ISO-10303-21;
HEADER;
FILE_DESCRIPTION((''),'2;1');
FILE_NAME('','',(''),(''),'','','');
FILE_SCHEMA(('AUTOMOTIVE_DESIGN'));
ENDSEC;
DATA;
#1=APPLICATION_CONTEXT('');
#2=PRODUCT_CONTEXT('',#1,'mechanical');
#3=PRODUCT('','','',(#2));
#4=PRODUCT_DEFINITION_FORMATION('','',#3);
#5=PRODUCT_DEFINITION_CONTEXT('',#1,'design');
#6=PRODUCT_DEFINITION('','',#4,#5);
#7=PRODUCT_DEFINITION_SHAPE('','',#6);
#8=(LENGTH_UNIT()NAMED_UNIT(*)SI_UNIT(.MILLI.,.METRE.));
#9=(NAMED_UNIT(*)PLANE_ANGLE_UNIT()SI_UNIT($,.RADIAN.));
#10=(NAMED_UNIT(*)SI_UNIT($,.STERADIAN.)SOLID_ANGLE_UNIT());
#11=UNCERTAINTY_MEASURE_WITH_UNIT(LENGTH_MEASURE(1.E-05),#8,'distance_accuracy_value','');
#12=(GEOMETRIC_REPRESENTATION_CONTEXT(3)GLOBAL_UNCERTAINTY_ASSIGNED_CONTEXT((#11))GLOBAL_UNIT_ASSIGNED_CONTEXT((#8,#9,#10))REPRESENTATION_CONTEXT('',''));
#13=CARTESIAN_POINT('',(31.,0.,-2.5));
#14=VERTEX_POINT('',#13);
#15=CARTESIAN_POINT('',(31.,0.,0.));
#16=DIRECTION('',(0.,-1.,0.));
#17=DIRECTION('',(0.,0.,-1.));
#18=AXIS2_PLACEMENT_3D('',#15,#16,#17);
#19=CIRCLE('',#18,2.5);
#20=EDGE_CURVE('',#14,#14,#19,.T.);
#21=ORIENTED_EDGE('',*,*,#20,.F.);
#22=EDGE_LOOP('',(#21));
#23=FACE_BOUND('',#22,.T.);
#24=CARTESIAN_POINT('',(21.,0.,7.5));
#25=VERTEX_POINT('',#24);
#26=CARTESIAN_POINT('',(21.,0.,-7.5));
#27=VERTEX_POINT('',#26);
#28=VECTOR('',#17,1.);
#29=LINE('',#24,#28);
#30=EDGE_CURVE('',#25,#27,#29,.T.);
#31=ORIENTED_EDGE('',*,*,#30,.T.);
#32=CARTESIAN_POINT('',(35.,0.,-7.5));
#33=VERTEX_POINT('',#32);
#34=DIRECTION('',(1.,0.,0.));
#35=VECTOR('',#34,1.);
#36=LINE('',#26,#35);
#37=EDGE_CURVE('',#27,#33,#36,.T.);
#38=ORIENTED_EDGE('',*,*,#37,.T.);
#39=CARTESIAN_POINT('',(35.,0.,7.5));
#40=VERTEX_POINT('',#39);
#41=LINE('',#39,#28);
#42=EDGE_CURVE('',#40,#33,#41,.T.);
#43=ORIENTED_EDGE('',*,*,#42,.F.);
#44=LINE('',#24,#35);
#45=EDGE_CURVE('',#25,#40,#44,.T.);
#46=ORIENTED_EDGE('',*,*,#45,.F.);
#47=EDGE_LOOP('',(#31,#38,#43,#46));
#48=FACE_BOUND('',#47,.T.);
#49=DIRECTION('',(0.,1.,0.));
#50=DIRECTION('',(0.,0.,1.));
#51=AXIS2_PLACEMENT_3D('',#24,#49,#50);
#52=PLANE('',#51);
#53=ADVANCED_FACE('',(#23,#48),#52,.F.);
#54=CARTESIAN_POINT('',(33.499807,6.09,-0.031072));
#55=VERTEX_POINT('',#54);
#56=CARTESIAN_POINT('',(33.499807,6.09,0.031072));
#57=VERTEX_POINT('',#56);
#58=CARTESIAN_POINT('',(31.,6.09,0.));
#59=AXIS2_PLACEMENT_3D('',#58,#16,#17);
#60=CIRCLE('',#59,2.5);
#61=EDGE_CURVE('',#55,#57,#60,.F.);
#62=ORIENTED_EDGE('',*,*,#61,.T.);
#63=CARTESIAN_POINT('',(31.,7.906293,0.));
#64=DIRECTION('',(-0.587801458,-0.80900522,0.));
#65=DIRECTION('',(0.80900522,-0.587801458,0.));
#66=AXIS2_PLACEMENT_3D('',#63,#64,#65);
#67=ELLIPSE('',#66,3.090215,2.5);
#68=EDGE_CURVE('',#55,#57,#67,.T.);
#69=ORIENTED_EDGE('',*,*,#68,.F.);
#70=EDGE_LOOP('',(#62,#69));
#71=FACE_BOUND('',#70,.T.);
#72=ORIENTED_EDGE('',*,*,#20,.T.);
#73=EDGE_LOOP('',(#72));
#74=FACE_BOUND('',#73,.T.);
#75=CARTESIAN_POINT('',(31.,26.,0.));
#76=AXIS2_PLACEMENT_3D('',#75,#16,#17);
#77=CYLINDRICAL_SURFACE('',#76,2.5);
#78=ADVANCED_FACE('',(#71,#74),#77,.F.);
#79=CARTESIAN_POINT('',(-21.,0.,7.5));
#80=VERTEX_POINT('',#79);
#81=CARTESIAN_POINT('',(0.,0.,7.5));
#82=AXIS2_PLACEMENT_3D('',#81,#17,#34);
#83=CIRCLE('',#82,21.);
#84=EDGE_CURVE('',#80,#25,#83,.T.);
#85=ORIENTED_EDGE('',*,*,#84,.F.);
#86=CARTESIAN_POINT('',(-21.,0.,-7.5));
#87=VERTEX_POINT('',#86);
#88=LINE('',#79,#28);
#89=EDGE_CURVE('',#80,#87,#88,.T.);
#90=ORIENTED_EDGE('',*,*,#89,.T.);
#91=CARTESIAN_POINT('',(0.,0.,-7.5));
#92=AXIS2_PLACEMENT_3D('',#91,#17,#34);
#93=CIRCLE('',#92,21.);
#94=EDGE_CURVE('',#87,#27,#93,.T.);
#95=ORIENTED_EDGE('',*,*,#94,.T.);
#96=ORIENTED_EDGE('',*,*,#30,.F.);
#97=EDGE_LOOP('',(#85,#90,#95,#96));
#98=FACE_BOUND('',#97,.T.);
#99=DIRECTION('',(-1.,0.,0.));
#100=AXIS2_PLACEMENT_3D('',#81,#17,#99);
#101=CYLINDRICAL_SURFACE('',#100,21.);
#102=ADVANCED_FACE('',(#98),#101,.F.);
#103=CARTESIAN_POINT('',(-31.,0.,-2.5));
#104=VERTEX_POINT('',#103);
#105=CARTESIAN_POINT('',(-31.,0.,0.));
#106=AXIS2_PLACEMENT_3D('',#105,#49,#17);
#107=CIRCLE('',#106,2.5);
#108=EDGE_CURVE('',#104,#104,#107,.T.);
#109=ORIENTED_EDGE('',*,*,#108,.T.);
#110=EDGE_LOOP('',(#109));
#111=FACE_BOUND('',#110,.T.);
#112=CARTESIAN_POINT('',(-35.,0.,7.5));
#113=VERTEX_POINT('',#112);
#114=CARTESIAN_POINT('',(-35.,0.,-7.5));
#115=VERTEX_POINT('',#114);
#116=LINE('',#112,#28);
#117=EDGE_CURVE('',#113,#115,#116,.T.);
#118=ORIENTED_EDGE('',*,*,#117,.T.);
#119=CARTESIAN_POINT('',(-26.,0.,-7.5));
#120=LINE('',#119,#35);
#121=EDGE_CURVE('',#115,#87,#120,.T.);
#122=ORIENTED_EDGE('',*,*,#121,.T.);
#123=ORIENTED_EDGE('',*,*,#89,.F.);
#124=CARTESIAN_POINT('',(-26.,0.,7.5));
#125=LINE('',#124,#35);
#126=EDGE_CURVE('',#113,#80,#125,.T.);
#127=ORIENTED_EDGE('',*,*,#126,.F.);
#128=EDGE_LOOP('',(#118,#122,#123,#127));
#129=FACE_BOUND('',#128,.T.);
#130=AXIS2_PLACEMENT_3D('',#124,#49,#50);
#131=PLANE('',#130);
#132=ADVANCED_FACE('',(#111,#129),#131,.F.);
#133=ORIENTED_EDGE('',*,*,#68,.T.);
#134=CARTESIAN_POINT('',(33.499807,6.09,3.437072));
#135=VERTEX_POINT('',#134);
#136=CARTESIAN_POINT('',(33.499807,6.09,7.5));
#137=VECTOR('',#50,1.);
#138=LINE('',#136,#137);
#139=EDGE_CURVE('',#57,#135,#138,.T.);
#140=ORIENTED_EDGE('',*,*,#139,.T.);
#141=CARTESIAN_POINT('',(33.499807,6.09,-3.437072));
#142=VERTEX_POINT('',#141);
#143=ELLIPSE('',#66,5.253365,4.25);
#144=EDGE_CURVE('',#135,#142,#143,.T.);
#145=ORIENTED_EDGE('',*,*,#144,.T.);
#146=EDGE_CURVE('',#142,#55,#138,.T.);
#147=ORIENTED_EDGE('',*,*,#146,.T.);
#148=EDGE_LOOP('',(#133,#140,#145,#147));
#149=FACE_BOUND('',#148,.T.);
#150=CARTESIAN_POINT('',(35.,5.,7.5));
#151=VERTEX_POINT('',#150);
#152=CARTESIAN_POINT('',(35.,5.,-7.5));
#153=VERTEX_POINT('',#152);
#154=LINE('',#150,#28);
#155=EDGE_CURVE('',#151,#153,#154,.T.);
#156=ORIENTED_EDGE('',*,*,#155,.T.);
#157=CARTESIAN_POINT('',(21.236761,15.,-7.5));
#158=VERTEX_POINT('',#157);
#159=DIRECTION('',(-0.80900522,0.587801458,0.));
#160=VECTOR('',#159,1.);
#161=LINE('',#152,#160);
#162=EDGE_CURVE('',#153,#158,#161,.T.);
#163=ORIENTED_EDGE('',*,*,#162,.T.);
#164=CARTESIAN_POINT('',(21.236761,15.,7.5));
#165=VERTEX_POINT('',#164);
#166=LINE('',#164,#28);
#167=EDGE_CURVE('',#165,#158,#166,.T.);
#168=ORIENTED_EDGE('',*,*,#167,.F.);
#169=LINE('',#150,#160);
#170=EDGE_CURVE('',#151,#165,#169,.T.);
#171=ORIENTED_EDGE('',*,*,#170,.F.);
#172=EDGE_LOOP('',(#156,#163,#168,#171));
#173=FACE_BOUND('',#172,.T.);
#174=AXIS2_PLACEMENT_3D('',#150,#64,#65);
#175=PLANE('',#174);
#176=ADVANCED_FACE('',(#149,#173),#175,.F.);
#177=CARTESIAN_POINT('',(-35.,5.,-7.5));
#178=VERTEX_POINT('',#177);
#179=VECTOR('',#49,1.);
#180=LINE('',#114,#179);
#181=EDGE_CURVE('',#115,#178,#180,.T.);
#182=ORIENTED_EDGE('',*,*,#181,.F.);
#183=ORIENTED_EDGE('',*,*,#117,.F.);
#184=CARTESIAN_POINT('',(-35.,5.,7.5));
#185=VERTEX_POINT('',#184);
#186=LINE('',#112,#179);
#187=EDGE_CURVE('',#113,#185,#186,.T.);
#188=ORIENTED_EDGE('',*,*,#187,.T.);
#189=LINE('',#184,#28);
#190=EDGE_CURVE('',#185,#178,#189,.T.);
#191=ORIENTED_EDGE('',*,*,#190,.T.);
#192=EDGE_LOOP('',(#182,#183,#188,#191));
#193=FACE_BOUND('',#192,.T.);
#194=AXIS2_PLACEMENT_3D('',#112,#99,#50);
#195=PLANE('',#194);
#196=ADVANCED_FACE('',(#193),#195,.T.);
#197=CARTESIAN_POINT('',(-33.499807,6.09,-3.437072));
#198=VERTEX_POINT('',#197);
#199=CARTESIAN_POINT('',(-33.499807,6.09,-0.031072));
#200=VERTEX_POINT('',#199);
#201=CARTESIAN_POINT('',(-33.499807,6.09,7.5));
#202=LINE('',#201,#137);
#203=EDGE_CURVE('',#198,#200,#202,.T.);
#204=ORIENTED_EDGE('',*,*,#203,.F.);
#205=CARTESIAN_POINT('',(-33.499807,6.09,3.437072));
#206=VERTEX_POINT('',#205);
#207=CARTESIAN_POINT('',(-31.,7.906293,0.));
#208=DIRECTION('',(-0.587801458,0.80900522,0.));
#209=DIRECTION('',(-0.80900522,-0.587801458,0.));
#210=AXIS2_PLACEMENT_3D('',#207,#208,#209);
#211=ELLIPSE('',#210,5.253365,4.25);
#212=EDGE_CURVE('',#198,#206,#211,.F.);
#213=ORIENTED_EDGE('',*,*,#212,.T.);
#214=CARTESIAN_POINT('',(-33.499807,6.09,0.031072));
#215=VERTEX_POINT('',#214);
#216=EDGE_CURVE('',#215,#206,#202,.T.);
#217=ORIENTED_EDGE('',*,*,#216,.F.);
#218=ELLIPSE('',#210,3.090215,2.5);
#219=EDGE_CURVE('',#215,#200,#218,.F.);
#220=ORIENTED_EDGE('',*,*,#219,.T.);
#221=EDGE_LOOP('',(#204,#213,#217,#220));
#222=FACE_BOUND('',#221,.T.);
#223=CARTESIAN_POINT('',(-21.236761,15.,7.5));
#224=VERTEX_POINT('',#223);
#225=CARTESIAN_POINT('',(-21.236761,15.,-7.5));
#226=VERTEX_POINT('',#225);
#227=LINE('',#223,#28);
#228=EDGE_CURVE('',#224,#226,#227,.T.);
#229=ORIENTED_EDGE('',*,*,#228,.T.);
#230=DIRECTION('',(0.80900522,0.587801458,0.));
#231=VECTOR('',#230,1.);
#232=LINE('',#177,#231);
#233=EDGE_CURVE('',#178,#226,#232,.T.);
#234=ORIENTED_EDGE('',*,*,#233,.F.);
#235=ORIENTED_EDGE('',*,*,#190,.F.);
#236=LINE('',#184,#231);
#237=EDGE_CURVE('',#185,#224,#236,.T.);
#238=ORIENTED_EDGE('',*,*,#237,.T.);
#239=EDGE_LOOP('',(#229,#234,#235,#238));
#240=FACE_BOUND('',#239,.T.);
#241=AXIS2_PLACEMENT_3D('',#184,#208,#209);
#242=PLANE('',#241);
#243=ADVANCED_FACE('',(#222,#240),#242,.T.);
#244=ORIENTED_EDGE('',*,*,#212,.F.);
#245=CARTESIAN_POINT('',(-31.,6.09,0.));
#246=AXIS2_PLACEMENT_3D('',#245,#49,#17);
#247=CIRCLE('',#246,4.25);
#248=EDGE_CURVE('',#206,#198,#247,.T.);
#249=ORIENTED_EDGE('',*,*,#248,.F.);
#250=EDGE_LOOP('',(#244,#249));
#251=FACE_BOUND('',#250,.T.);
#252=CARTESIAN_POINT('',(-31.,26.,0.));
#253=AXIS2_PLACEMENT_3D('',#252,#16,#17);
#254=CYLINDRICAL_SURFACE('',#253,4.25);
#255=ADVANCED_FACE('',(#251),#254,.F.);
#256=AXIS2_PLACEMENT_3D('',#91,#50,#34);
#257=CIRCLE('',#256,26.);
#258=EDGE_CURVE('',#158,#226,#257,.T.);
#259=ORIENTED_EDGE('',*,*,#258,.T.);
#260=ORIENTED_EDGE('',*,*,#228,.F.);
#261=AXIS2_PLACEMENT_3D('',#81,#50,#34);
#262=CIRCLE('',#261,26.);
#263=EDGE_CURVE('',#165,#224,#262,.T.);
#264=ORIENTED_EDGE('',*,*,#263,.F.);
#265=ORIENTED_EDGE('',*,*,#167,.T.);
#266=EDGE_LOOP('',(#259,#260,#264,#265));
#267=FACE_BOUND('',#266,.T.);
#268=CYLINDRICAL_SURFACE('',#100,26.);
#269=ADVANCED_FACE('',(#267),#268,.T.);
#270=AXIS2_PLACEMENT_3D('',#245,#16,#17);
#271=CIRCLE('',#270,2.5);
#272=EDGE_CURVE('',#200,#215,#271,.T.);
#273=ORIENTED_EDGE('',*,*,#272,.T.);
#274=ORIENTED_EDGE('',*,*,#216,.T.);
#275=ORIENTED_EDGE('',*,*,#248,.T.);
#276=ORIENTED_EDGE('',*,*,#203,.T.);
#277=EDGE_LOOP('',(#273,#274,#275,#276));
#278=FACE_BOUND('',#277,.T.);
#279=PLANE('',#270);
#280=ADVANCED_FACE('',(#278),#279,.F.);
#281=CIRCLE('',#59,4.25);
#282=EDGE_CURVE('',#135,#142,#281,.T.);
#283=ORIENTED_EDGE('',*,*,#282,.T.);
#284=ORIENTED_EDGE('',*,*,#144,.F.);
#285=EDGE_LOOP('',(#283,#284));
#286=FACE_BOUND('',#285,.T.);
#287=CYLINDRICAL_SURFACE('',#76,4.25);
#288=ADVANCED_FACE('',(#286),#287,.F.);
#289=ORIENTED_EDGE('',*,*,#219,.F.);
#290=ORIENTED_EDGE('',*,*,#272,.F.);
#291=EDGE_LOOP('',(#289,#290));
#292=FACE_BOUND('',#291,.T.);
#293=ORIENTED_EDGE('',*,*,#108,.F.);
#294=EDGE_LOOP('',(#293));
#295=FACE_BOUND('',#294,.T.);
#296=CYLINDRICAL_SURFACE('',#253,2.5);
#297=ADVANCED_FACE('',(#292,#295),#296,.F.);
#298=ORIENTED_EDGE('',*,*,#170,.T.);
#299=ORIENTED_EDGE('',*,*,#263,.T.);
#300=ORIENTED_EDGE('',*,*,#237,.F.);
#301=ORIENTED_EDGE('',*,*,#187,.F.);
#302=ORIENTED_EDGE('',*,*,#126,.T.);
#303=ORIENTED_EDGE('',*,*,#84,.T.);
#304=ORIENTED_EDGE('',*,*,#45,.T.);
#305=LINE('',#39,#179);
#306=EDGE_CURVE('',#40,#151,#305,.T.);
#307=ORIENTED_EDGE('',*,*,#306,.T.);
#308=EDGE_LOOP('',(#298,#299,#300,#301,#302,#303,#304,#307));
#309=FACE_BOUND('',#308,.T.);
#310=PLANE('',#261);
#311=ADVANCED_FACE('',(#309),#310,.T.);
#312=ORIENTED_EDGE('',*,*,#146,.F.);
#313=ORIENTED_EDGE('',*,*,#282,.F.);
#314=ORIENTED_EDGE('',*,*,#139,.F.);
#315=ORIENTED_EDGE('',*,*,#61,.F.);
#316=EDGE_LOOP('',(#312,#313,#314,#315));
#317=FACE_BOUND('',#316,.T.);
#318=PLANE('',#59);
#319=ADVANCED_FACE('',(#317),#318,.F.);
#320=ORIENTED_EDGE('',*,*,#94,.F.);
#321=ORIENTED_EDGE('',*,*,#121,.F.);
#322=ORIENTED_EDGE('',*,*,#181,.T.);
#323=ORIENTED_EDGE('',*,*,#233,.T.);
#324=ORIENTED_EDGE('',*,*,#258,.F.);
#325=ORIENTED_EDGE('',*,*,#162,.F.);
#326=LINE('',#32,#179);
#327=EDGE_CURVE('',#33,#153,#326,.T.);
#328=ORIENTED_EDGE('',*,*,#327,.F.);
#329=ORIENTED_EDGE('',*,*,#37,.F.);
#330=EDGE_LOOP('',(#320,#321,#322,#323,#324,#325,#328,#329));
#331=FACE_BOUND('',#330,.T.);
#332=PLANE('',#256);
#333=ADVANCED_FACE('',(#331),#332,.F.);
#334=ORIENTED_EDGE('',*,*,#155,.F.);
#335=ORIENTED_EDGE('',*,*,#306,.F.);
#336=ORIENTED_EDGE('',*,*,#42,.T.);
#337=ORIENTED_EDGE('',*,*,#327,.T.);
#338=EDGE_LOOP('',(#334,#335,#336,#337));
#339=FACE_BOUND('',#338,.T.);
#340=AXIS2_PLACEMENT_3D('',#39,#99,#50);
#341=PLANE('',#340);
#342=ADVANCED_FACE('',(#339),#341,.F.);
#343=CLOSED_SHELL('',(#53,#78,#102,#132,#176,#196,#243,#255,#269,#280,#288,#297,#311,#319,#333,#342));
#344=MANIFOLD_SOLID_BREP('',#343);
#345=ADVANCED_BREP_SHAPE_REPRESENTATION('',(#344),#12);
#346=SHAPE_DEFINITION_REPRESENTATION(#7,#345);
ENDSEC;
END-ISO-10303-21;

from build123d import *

# Parameters (mm, degrees)
SALIENTE_EXTRUIR1_DEPTH = 7.5
SALIENTE_EXTRUIR2_DEPTH = 7.5
CROQUIS3_R              = 2.5
CORTAR_EXTRUIR1_DEPTH   = 45.240818256
CROQUIS4_R              = 4.25
CORTAR_EXTRUIR2_DEPTH   = 41.959224846


with BuildPart() as part:
    # Croquis1 → Saliente-Extruir1 (new, symmetric)
    with BuildSketch(Plane.XY):
        with BuildLine():
            Line((-26, 0), (-21, 0))
            ThreePointArc((-21, 0), (0, 21), (21, 0))
            Line((21, 0), (26, 0))
            ThreePointArc((26, 0), (0, 26), (-26, 0))
        make_face()
    extrude(amount=SALIENTE_EXTRUIR1_DEPTH, both=True)

    # Croquis2 → Saliente-Extruir2 (add, symmetric)
    with BuildSketch(Plane.XY):
        with BuildLine():
            Line((26, 0), (35, 0))
            Line((35, 0), (35, 5))
            Line((35, 5), (21.236760582, 15))
            ThreePointArc((21.236760582, 15), (24.78059498, 7.869060455), (26, 0))
        make_face()
    saliente_extruir2 = extrude(amount=SALIENTE_EXTRUIR2_DEPTH, both=True)

    # Croquis3 → Cortar-Extruir1 (cut, through all)
    with BuildSketch(Plane.XZ):
        with Locations(Location((31, 0, 0), (0, 0, 270))):
            Circle(CROQUIS3_R)
    cortar_extruir1 = extrude(amount=-CORTAR_EXTRUIR1_DEPTH, mode=Mode.SUBTRACT)

    # Croquis4 → Cortar-Extruir2 (cut, through all)
    with BuildSketch(Plane(origin=(0, 6.09, 0), x_dir=(-1, 0, 0), z_dir=(0, -1, 0))):
        with Locations((-31, 0)):
            Circle(CROQUIS4_R)
    cortar_extruir2 = extrude(amount=-CORTAR_EXTRUIR2_DEPTH, mode=Mode.SUBTRACT)

    # Simetría1: Saliente-Extruir2, Cortar-Extruir1, Cortar-Extruir2 across plane
    add(saliente_extruir2.mirror(Plane(origin=(0, 0, 0), x_dir=(0, 0, 1), z_dir=(1, 0, 0))))
    add(cortar_extruir1.mirror(Plane(origin=(0, 0, 0), x_dir=(0, 0, 1), z_dir=(1, 0, 0))), mode=Mode.SUBTRACT)
    add(cortar_extruir2.mirror(Plane(origin=(0, 0, 0), x_dir=(0, 0, 1), z_dir=(1, 0, 0))), mode=Mode.SUBTRACT)


solid = part.part
